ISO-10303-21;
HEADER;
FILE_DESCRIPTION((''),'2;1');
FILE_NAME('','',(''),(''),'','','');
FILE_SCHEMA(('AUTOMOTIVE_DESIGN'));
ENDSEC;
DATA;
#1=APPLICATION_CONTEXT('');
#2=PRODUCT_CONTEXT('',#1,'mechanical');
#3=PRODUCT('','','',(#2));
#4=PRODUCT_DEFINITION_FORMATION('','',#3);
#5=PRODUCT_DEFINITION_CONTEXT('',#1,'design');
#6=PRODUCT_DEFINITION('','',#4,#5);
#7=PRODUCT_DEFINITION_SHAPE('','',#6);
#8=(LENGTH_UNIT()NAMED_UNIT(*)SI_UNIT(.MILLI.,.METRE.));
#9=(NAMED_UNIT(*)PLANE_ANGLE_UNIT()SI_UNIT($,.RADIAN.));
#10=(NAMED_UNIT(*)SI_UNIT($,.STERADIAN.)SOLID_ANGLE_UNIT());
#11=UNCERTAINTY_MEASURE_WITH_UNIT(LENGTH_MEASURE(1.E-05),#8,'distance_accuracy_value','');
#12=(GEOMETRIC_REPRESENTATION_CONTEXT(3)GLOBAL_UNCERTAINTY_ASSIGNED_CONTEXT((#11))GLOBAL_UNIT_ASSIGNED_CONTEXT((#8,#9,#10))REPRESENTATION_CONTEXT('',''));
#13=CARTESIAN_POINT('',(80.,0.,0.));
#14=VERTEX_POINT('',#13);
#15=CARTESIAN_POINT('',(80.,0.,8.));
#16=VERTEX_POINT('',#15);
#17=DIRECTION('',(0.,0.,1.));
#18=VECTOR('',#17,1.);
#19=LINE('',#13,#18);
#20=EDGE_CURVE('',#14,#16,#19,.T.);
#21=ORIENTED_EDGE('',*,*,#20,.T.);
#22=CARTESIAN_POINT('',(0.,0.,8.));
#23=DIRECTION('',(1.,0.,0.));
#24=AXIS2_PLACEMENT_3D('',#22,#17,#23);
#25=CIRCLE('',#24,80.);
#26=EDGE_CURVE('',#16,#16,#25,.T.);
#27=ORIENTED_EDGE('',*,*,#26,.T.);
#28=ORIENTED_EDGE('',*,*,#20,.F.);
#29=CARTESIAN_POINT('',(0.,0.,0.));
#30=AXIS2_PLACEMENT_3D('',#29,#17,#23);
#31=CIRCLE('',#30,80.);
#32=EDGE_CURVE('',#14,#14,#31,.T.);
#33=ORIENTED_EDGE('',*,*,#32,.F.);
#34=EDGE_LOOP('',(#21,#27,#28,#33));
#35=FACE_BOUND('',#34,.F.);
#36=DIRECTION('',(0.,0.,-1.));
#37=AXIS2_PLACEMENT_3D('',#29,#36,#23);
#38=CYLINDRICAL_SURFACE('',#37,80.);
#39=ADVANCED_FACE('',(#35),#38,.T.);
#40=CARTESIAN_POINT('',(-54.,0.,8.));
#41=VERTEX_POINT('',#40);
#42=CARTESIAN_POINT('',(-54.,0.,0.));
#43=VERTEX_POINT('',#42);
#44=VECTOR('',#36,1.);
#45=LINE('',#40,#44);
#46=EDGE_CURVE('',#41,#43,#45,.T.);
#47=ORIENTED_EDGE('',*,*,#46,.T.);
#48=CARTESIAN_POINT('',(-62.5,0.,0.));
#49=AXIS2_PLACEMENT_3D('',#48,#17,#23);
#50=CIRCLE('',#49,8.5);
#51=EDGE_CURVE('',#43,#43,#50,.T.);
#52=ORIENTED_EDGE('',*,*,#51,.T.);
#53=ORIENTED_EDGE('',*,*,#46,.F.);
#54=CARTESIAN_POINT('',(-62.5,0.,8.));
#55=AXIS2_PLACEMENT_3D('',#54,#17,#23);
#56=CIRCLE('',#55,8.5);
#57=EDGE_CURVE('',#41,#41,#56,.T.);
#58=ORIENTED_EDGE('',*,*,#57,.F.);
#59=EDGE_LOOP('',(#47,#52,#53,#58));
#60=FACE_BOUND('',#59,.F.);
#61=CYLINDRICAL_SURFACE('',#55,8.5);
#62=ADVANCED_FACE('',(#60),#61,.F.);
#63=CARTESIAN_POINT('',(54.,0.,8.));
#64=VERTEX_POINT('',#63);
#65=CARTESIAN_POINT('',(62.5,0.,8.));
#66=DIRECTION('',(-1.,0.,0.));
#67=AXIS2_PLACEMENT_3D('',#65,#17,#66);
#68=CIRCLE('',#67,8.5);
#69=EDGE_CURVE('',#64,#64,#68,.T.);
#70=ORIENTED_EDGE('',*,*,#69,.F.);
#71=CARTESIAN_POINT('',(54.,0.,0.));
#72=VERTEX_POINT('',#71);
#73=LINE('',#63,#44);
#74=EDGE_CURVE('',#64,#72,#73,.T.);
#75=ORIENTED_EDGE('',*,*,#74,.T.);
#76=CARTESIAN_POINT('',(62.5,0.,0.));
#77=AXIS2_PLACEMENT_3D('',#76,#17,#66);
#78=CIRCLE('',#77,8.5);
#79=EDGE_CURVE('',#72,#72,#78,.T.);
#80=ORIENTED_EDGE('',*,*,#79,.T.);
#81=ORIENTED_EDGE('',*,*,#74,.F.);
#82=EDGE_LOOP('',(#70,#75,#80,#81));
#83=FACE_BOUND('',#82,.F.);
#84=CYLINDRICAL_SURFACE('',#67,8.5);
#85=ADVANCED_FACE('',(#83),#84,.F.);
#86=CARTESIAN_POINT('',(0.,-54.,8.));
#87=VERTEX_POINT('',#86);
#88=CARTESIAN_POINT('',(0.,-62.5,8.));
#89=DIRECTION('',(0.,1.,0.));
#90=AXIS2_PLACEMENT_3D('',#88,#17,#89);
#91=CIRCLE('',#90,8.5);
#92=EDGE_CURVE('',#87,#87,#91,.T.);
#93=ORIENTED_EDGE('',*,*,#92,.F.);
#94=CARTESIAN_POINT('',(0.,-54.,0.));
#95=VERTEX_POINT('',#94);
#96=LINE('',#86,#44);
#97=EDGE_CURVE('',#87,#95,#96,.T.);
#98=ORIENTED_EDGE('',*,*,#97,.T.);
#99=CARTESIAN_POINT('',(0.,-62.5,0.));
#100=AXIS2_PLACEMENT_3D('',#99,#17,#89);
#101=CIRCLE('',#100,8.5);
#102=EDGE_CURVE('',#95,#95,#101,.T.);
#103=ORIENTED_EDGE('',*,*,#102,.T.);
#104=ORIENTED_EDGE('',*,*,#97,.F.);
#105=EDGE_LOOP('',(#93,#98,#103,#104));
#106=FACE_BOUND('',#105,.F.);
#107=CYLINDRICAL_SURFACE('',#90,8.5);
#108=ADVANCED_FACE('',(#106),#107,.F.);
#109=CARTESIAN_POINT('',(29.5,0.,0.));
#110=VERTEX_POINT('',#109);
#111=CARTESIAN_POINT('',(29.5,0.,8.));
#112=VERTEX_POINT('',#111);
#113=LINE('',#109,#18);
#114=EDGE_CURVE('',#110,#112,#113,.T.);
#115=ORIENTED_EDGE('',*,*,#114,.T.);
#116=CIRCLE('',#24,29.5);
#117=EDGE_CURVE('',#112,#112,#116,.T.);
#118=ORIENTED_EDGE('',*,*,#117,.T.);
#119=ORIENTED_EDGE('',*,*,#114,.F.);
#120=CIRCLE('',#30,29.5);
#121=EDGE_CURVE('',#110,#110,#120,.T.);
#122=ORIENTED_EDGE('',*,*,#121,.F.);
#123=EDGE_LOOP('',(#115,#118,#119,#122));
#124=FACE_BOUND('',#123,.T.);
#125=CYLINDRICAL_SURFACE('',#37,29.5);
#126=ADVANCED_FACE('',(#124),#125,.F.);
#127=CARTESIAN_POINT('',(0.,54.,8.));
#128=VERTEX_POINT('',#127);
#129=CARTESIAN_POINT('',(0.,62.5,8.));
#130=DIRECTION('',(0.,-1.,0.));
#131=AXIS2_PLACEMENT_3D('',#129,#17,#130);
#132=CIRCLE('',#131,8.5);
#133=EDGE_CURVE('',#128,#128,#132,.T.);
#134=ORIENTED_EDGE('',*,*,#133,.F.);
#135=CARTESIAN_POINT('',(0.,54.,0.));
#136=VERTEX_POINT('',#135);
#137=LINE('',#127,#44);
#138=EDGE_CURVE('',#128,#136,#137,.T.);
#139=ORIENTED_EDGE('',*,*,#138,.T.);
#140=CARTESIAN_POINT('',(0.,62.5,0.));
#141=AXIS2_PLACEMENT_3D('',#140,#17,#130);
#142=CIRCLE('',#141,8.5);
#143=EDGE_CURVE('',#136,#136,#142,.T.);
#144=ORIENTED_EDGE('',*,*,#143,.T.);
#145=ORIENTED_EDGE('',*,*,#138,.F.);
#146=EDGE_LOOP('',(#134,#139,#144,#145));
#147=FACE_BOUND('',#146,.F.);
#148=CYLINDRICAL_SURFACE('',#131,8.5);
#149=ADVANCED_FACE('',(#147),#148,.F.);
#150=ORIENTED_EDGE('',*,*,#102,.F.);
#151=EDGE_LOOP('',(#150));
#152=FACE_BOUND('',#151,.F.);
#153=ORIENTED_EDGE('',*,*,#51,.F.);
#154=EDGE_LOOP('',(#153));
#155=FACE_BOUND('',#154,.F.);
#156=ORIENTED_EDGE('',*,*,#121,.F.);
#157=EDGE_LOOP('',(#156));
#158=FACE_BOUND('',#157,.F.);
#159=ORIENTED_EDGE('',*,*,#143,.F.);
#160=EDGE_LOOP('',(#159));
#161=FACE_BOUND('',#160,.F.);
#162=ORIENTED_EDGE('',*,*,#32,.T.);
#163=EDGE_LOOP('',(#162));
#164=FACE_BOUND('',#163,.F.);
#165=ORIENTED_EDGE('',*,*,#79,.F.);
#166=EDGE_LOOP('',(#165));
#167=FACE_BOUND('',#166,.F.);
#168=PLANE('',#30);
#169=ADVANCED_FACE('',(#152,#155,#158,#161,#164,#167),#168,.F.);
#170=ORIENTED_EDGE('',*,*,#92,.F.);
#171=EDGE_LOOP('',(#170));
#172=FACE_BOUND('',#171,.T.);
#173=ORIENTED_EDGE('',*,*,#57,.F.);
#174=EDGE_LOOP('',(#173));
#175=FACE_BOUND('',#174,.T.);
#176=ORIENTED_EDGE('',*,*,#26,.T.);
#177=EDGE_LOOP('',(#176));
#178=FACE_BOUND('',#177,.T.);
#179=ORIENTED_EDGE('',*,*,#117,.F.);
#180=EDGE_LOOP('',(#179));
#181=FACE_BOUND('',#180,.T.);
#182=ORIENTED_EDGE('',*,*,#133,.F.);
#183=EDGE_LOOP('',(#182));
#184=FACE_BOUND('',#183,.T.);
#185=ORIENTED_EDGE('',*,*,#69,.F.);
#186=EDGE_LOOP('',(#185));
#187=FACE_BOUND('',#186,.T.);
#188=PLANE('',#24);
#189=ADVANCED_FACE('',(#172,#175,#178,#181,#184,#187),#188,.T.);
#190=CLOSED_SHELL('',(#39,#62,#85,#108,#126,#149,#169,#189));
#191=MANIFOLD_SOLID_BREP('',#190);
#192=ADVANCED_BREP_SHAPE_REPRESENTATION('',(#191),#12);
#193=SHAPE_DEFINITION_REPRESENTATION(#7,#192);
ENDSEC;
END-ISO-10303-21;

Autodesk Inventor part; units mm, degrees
ref_plane "YZ Plane" through (0, 0, 0) normal (1, 0, 0) x (0, 1, 0)
ref_plane "XZ Plane" through (0, 0, 0) normal (0, 1, 0) x (-1, 0, 0)
ref_plane "XY Plane" through (0, 0, 0) normal (0, 0, 1) x (1, 0, 0)
sketch "Sketch2" plane through (0, 0, 0) normal (0, 0, 1) x (1, 0, 0)
  circle A0 centre (0, 0) radius 29.5
  circle A1 centre (0, 0) radius 80
  dimension "d25" = 59
  dimension "d27" = 160
extrude "Plate2" add sketch "Sketch2" along normal blind 8
sketch "Sketch3" plane through (0, 0, 8) normal (0, 0, 1) x (1, 0, 0)
  circle A0 centre (-62.5, 0) radius 8.5
  circle A1 centre (0, 0) radius 62.5 construction
  dimension "d28" = 125
  dimension "d15" = 17
extrude "Cut1" cut sketch "Sketch3" against normal blind 8
pattern_circular "Circular Pattern1" count 4 over 360 about axis through (0, 0, -10) along (0, 0, 1) of "Cut1"
equation "\"d17\" = Thickness"
equation "\"d14\" = Thickness"
equation "\"BendReliefWidth\" = Thickness"
equation "\"BendReliefDepth\" = 0.5 * Thickness"
equation "\"CornerReliefSize\" = 4 * Thickness"
equation "\"MinimumRemnant\" = 2 * Thickness"
equation "\"TransitionRadius\" = BendRadius"
equation "\"JacobiRadiusSize\" = BendRadius"
equation "\"GapSize\" = Thickness"
equation "\"Thickness\" = 8"
equation "\"BendRadius\" = 6"
properties part number "SLM 1633 charging blind flange" material "Steel"
